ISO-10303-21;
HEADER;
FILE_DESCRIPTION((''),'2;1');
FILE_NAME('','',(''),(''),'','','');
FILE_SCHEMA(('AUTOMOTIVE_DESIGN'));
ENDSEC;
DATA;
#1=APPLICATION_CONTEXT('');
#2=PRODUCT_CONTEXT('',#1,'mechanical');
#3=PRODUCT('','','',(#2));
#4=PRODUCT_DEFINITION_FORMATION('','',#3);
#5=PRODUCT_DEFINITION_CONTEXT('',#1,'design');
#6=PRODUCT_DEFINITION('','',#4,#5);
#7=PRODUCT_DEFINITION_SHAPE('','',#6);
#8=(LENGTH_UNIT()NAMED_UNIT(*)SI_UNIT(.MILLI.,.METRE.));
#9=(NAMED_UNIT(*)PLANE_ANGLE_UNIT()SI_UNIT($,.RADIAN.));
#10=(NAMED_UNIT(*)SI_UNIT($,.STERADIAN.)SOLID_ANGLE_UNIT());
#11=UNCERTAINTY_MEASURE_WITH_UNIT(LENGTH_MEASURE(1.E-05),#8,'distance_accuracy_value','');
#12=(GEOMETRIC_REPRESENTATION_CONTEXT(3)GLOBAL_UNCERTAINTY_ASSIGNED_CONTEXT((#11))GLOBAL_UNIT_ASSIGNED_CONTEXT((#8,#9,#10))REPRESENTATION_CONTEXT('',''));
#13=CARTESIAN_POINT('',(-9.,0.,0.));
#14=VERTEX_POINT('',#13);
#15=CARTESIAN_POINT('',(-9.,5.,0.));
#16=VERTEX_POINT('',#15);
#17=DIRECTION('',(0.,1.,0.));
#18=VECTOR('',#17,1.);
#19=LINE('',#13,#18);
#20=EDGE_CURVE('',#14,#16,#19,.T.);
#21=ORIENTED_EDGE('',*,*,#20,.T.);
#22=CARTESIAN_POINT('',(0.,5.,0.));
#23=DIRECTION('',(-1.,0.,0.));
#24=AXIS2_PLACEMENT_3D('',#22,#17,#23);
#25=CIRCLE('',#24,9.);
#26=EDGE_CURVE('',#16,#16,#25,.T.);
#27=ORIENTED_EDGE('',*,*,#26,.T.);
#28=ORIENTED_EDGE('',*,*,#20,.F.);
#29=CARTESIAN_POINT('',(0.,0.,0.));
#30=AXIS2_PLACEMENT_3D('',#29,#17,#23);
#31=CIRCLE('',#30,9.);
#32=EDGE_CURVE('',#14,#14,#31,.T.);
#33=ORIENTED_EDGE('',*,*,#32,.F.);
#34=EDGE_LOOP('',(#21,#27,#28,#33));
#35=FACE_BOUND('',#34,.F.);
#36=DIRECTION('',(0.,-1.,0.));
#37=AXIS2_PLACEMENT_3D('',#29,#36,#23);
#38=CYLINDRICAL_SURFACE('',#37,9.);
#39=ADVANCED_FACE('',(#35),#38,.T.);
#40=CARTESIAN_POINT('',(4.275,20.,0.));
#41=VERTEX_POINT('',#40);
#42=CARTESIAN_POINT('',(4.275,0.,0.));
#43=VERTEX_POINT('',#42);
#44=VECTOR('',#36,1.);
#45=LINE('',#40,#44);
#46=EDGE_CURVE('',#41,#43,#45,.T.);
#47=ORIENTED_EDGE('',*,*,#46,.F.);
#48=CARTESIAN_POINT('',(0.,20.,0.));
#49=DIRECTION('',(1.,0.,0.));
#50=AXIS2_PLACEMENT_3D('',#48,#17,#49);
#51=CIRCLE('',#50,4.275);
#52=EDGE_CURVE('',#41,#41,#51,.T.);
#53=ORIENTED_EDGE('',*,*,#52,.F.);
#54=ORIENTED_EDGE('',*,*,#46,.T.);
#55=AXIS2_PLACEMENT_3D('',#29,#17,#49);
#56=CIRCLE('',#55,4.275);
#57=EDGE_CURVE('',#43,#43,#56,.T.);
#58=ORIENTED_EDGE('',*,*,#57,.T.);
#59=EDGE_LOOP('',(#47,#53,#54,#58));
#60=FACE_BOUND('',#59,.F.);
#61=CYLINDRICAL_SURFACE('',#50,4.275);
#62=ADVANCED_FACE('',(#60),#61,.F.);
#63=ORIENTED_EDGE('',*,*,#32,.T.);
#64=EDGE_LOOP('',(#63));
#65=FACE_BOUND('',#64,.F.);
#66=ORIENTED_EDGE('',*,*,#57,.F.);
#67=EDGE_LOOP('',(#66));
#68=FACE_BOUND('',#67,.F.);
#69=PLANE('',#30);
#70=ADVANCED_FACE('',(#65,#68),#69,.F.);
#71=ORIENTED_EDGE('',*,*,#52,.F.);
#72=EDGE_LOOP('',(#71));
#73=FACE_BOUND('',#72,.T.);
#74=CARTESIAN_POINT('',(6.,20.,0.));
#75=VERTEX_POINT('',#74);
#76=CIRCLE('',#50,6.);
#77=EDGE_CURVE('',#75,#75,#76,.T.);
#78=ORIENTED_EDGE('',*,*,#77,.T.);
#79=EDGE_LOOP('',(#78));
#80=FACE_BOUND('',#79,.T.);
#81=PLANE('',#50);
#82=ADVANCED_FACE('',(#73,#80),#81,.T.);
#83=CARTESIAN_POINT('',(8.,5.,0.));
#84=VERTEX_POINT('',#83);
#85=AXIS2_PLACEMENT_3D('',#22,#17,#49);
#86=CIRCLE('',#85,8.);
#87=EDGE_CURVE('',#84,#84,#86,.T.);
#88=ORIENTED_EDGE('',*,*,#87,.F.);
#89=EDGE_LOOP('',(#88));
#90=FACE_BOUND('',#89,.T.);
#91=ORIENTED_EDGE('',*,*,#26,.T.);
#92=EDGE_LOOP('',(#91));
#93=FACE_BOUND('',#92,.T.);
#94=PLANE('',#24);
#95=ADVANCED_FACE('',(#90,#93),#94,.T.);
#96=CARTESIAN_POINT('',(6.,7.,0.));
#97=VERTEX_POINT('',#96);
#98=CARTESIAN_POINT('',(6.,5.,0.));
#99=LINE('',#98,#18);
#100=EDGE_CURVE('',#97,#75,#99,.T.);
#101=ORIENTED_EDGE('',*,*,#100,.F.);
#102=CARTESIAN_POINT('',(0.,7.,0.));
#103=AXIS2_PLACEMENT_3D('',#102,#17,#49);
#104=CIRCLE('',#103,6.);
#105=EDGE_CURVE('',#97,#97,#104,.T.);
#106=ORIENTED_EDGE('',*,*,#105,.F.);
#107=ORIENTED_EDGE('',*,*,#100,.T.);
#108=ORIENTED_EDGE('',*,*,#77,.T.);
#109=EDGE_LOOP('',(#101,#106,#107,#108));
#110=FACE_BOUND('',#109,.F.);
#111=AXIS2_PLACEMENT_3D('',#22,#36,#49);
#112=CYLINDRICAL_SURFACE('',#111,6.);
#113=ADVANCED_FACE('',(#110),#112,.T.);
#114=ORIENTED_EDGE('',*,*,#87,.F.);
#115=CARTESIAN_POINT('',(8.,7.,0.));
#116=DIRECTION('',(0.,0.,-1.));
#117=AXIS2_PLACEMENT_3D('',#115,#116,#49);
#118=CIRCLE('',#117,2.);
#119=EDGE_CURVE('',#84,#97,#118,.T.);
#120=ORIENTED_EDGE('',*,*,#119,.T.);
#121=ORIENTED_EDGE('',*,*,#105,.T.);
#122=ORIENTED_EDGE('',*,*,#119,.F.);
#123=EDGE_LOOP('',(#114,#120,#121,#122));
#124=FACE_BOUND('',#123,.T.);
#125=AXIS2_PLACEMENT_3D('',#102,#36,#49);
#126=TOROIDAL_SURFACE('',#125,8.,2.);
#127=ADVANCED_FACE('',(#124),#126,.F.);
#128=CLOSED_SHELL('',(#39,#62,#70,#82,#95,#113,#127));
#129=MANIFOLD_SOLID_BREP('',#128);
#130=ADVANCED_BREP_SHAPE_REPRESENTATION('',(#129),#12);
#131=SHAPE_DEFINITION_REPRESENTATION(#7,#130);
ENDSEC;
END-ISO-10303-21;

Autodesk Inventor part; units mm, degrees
ref_plane "YZ Plane" through (0, 0, 0) normal (1, 0, 0) x (0, 1, 0)
ref_plane "XZ Plane" through (0, 0, 0) normal (0, 1, 0) x (-1, 0, 0)
ref_plane "XY Plane" through (0, 0, 0) normal (0, 0, 1) x (1, 0, 0)
sketch "Esboço1" plane through (0, 0, 0) normal (0, 1, 0) x (-1, 0, 0)
  circle A0 centre (0, 0) radius 9
  dimension "d0" = 18
extrude "Extrusão1" add sketch "Esboço1" along normal blind 5
sketch "Esboço2" plane through (0, 5, 0) normal (0, 1, 0) x (1, 0, 0)
  circle A0 centre (0, 0) radius 6
  dimension "d3" = 12
extrude "Extrusão2" add sketch "Esboço2" along normal blind 15
sketch "Esboço3" plane through (0, 20, 0) normal (0, 1, 0) x (1, 0, 0)
  point P0 (0, 0)
sketch "Esboço4" plane through (0, 20, 0) normal (0, 1, 0) x (1, 0, 0)
  circle A0 centre (0, 0) radius 4.275
  dimension "d6" = 8.55
extrude "Extrusão3" cut sketch "Esboço4" against normal through all
fillet "Arredondamento1" radius 2 1 edges at (-6, 5, 0)
properties part number "Espaçadores"
